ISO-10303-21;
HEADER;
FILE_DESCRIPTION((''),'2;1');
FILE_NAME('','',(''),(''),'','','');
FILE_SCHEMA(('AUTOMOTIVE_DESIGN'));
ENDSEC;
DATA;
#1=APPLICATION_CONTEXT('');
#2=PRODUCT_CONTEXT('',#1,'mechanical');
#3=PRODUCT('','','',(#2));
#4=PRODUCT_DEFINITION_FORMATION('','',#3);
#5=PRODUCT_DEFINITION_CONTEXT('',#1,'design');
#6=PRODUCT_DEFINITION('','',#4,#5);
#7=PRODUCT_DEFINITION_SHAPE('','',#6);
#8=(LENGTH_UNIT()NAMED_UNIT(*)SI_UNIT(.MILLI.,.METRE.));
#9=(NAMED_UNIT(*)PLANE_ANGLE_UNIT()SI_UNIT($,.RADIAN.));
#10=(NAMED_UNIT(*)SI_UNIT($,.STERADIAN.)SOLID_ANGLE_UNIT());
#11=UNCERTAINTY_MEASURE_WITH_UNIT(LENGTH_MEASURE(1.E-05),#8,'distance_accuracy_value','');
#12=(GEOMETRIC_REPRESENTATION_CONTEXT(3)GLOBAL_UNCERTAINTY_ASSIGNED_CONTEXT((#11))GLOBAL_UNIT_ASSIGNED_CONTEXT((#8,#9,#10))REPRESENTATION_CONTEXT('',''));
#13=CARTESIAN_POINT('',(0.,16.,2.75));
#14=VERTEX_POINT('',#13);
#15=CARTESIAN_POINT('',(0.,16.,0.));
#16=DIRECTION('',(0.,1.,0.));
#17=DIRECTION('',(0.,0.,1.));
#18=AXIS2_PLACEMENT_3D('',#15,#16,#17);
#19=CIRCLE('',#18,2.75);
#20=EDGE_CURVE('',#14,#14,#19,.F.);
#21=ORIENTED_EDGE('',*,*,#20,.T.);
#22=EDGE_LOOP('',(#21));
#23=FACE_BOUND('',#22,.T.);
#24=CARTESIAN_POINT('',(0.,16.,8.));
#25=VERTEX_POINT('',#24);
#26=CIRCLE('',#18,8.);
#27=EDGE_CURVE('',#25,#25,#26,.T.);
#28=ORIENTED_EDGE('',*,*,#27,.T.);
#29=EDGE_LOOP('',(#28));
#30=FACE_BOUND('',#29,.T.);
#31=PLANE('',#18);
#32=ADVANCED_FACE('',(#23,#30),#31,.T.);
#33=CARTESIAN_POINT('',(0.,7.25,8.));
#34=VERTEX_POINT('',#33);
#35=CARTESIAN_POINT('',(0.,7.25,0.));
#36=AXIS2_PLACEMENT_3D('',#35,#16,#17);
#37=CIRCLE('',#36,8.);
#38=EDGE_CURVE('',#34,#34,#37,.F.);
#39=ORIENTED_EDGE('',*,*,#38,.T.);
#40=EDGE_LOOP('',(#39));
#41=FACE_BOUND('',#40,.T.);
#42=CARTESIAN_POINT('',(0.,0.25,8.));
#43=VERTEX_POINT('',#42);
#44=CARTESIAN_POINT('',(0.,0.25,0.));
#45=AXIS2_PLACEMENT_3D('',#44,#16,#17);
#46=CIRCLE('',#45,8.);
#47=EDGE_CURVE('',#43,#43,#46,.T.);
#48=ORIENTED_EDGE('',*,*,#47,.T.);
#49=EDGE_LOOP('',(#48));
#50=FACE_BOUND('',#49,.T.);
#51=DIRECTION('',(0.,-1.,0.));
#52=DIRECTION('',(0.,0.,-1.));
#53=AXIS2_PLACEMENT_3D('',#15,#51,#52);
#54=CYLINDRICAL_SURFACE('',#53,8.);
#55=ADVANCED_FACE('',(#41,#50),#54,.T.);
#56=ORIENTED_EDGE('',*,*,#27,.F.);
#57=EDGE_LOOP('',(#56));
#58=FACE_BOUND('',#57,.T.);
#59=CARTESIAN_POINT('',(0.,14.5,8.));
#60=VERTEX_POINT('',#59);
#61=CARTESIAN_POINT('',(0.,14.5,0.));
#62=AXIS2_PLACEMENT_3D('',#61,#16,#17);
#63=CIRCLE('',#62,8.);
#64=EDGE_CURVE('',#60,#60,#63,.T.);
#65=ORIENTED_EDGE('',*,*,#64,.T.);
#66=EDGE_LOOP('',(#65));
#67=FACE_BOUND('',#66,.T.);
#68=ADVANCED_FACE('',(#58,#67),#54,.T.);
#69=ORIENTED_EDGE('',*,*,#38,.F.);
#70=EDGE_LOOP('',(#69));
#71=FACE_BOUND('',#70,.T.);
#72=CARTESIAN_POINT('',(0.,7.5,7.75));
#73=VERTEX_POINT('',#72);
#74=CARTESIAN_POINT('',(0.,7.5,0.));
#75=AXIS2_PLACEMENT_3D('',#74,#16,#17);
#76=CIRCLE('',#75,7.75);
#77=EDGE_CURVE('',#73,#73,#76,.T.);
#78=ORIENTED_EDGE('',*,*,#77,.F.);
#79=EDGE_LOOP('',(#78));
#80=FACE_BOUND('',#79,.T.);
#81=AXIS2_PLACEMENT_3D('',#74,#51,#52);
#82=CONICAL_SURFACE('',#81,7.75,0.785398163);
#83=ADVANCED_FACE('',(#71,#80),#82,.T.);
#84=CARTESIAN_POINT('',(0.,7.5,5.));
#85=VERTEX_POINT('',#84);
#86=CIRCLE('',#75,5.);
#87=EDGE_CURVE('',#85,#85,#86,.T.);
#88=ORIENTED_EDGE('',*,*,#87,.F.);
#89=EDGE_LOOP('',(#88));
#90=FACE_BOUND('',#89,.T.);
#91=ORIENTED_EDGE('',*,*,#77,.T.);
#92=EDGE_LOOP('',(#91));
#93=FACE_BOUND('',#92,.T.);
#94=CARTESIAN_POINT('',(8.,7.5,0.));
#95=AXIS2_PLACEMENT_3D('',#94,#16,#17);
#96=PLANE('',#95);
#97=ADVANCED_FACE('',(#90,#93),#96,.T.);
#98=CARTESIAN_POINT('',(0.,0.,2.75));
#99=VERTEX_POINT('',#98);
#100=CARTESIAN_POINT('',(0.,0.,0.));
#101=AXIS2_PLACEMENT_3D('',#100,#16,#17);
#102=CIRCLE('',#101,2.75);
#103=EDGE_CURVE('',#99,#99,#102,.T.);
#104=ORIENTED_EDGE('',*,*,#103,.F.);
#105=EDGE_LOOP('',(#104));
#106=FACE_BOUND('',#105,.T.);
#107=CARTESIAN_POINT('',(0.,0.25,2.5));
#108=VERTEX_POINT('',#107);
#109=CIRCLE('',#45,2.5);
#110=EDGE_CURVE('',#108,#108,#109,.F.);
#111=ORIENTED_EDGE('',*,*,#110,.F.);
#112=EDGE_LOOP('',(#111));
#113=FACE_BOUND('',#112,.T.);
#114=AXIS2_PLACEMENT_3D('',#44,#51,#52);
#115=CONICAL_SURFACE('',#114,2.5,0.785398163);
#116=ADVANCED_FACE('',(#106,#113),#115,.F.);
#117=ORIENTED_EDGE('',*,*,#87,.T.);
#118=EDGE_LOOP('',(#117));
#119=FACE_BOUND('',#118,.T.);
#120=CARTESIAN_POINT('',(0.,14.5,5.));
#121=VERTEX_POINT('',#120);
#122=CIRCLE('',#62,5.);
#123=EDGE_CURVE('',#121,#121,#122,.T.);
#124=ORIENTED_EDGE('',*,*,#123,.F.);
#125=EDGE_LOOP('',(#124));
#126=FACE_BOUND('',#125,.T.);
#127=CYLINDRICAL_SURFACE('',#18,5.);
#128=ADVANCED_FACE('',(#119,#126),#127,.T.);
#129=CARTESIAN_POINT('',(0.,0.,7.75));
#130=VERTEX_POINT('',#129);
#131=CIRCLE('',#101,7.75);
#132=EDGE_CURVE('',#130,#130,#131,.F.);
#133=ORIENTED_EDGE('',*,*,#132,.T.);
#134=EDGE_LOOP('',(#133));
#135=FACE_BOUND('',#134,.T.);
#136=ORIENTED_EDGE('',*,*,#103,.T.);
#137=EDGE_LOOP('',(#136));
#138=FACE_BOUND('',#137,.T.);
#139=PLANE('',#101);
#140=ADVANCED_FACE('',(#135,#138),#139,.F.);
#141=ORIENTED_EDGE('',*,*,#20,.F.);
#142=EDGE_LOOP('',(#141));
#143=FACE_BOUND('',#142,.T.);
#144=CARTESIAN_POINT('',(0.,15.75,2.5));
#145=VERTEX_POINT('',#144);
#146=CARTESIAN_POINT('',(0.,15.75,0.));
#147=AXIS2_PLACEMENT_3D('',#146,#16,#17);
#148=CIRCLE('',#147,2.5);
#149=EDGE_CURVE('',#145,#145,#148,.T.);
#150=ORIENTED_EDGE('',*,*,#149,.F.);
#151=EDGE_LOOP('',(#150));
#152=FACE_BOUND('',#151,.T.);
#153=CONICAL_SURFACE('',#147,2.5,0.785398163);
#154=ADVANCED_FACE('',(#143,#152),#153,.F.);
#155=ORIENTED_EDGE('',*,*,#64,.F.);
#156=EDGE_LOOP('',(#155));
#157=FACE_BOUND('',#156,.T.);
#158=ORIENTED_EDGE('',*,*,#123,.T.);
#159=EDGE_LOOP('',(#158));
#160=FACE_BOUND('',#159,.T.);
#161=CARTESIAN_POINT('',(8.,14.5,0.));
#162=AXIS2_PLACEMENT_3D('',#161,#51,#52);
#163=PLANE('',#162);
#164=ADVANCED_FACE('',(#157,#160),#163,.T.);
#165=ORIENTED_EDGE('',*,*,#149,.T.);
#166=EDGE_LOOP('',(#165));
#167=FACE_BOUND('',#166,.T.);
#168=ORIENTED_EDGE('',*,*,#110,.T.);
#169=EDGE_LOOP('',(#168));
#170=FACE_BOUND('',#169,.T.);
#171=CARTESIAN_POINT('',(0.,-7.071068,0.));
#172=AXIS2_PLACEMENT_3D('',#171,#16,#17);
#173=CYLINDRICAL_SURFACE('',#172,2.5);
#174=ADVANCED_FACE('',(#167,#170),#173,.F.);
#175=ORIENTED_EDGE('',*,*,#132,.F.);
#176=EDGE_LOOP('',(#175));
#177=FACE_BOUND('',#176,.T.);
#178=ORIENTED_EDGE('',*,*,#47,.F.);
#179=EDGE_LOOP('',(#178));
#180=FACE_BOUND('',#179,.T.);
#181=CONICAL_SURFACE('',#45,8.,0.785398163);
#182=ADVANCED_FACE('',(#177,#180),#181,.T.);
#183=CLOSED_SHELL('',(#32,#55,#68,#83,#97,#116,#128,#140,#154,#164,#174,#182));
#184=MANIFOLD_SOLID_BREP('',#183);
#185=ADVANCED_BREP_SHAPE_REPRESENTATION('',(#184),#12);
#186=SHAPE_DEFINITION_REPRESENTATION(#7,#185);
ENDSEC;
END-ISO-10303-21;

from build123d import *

# Parameters (mm, degrees)
SKETCH1_R           = 8
BOSS_EXTRUDE1_DEPTH = 16
SKETCH2_R           = 2.5
CUT_EXTRUDE1_DEPTH  = 16
SKETCH3_W           = 3
SKETCH3_H           = 7
CHAMFER1_SIZE       = 0.25


with BuildPart() as part:
    # Sketch1 → Boss-Extrude1 (new body)
    with BuildSketch(Plane(origin=(0, 0, 0), x_dir=(1, 0, 0), z_dir=(0, 1, 0))):
        with Locations(Location((0, 0, 0), (0, 0, 270))):
            Circle(SKETCH1_R)
    extrude(amount=BOSS_EXTRUDE1_DEPTH)

    # Sketch2 → Cut-Extrude1 (cut)
    with BuildSketch(Plane(origin=(0, 16, 0), x_dir=(1, 0, 0), z_dir=(0, 1, 0))):
        with Locations(Location((0, 0, 0), (0, 0, 270))):
            Circle(SKETCH2_R)
    extrude(amount=-CUT_EXTRUDE1_DEPTH, mode=Mode.SUBTRACT)

    # Sketch3 → Cut-Revolve1 (revolve, cut)
    with BuildSketch(Plane.XY, mode=Mode.PRIVATE) as cut_revolve1_sk:
        with Locations((6.5, 11)):
            Rectangle(SKETCH3_W, SKETCH3_H)
    revolve(cut_revolve1_sk.sketch.rotate(Axis((0, 16, 0), (0, -1, 0)), 90), axis=Axis((0, 16, 0), (0, -1, 0)), mode=Mode.SUBTRACT)

    # Chamfer1
    chamfer1_edges = [part.edges().sort_by_distance(p)[0] for p in [
        (0, 7.5, -8),
        (0, 0, -8),
        (0, 16, -2.5),
        (0, 0, -2.5),
    ]]
    chamfer(chamfer1_edges, length=CHAMFER1_SIZE)


solid = part.part
